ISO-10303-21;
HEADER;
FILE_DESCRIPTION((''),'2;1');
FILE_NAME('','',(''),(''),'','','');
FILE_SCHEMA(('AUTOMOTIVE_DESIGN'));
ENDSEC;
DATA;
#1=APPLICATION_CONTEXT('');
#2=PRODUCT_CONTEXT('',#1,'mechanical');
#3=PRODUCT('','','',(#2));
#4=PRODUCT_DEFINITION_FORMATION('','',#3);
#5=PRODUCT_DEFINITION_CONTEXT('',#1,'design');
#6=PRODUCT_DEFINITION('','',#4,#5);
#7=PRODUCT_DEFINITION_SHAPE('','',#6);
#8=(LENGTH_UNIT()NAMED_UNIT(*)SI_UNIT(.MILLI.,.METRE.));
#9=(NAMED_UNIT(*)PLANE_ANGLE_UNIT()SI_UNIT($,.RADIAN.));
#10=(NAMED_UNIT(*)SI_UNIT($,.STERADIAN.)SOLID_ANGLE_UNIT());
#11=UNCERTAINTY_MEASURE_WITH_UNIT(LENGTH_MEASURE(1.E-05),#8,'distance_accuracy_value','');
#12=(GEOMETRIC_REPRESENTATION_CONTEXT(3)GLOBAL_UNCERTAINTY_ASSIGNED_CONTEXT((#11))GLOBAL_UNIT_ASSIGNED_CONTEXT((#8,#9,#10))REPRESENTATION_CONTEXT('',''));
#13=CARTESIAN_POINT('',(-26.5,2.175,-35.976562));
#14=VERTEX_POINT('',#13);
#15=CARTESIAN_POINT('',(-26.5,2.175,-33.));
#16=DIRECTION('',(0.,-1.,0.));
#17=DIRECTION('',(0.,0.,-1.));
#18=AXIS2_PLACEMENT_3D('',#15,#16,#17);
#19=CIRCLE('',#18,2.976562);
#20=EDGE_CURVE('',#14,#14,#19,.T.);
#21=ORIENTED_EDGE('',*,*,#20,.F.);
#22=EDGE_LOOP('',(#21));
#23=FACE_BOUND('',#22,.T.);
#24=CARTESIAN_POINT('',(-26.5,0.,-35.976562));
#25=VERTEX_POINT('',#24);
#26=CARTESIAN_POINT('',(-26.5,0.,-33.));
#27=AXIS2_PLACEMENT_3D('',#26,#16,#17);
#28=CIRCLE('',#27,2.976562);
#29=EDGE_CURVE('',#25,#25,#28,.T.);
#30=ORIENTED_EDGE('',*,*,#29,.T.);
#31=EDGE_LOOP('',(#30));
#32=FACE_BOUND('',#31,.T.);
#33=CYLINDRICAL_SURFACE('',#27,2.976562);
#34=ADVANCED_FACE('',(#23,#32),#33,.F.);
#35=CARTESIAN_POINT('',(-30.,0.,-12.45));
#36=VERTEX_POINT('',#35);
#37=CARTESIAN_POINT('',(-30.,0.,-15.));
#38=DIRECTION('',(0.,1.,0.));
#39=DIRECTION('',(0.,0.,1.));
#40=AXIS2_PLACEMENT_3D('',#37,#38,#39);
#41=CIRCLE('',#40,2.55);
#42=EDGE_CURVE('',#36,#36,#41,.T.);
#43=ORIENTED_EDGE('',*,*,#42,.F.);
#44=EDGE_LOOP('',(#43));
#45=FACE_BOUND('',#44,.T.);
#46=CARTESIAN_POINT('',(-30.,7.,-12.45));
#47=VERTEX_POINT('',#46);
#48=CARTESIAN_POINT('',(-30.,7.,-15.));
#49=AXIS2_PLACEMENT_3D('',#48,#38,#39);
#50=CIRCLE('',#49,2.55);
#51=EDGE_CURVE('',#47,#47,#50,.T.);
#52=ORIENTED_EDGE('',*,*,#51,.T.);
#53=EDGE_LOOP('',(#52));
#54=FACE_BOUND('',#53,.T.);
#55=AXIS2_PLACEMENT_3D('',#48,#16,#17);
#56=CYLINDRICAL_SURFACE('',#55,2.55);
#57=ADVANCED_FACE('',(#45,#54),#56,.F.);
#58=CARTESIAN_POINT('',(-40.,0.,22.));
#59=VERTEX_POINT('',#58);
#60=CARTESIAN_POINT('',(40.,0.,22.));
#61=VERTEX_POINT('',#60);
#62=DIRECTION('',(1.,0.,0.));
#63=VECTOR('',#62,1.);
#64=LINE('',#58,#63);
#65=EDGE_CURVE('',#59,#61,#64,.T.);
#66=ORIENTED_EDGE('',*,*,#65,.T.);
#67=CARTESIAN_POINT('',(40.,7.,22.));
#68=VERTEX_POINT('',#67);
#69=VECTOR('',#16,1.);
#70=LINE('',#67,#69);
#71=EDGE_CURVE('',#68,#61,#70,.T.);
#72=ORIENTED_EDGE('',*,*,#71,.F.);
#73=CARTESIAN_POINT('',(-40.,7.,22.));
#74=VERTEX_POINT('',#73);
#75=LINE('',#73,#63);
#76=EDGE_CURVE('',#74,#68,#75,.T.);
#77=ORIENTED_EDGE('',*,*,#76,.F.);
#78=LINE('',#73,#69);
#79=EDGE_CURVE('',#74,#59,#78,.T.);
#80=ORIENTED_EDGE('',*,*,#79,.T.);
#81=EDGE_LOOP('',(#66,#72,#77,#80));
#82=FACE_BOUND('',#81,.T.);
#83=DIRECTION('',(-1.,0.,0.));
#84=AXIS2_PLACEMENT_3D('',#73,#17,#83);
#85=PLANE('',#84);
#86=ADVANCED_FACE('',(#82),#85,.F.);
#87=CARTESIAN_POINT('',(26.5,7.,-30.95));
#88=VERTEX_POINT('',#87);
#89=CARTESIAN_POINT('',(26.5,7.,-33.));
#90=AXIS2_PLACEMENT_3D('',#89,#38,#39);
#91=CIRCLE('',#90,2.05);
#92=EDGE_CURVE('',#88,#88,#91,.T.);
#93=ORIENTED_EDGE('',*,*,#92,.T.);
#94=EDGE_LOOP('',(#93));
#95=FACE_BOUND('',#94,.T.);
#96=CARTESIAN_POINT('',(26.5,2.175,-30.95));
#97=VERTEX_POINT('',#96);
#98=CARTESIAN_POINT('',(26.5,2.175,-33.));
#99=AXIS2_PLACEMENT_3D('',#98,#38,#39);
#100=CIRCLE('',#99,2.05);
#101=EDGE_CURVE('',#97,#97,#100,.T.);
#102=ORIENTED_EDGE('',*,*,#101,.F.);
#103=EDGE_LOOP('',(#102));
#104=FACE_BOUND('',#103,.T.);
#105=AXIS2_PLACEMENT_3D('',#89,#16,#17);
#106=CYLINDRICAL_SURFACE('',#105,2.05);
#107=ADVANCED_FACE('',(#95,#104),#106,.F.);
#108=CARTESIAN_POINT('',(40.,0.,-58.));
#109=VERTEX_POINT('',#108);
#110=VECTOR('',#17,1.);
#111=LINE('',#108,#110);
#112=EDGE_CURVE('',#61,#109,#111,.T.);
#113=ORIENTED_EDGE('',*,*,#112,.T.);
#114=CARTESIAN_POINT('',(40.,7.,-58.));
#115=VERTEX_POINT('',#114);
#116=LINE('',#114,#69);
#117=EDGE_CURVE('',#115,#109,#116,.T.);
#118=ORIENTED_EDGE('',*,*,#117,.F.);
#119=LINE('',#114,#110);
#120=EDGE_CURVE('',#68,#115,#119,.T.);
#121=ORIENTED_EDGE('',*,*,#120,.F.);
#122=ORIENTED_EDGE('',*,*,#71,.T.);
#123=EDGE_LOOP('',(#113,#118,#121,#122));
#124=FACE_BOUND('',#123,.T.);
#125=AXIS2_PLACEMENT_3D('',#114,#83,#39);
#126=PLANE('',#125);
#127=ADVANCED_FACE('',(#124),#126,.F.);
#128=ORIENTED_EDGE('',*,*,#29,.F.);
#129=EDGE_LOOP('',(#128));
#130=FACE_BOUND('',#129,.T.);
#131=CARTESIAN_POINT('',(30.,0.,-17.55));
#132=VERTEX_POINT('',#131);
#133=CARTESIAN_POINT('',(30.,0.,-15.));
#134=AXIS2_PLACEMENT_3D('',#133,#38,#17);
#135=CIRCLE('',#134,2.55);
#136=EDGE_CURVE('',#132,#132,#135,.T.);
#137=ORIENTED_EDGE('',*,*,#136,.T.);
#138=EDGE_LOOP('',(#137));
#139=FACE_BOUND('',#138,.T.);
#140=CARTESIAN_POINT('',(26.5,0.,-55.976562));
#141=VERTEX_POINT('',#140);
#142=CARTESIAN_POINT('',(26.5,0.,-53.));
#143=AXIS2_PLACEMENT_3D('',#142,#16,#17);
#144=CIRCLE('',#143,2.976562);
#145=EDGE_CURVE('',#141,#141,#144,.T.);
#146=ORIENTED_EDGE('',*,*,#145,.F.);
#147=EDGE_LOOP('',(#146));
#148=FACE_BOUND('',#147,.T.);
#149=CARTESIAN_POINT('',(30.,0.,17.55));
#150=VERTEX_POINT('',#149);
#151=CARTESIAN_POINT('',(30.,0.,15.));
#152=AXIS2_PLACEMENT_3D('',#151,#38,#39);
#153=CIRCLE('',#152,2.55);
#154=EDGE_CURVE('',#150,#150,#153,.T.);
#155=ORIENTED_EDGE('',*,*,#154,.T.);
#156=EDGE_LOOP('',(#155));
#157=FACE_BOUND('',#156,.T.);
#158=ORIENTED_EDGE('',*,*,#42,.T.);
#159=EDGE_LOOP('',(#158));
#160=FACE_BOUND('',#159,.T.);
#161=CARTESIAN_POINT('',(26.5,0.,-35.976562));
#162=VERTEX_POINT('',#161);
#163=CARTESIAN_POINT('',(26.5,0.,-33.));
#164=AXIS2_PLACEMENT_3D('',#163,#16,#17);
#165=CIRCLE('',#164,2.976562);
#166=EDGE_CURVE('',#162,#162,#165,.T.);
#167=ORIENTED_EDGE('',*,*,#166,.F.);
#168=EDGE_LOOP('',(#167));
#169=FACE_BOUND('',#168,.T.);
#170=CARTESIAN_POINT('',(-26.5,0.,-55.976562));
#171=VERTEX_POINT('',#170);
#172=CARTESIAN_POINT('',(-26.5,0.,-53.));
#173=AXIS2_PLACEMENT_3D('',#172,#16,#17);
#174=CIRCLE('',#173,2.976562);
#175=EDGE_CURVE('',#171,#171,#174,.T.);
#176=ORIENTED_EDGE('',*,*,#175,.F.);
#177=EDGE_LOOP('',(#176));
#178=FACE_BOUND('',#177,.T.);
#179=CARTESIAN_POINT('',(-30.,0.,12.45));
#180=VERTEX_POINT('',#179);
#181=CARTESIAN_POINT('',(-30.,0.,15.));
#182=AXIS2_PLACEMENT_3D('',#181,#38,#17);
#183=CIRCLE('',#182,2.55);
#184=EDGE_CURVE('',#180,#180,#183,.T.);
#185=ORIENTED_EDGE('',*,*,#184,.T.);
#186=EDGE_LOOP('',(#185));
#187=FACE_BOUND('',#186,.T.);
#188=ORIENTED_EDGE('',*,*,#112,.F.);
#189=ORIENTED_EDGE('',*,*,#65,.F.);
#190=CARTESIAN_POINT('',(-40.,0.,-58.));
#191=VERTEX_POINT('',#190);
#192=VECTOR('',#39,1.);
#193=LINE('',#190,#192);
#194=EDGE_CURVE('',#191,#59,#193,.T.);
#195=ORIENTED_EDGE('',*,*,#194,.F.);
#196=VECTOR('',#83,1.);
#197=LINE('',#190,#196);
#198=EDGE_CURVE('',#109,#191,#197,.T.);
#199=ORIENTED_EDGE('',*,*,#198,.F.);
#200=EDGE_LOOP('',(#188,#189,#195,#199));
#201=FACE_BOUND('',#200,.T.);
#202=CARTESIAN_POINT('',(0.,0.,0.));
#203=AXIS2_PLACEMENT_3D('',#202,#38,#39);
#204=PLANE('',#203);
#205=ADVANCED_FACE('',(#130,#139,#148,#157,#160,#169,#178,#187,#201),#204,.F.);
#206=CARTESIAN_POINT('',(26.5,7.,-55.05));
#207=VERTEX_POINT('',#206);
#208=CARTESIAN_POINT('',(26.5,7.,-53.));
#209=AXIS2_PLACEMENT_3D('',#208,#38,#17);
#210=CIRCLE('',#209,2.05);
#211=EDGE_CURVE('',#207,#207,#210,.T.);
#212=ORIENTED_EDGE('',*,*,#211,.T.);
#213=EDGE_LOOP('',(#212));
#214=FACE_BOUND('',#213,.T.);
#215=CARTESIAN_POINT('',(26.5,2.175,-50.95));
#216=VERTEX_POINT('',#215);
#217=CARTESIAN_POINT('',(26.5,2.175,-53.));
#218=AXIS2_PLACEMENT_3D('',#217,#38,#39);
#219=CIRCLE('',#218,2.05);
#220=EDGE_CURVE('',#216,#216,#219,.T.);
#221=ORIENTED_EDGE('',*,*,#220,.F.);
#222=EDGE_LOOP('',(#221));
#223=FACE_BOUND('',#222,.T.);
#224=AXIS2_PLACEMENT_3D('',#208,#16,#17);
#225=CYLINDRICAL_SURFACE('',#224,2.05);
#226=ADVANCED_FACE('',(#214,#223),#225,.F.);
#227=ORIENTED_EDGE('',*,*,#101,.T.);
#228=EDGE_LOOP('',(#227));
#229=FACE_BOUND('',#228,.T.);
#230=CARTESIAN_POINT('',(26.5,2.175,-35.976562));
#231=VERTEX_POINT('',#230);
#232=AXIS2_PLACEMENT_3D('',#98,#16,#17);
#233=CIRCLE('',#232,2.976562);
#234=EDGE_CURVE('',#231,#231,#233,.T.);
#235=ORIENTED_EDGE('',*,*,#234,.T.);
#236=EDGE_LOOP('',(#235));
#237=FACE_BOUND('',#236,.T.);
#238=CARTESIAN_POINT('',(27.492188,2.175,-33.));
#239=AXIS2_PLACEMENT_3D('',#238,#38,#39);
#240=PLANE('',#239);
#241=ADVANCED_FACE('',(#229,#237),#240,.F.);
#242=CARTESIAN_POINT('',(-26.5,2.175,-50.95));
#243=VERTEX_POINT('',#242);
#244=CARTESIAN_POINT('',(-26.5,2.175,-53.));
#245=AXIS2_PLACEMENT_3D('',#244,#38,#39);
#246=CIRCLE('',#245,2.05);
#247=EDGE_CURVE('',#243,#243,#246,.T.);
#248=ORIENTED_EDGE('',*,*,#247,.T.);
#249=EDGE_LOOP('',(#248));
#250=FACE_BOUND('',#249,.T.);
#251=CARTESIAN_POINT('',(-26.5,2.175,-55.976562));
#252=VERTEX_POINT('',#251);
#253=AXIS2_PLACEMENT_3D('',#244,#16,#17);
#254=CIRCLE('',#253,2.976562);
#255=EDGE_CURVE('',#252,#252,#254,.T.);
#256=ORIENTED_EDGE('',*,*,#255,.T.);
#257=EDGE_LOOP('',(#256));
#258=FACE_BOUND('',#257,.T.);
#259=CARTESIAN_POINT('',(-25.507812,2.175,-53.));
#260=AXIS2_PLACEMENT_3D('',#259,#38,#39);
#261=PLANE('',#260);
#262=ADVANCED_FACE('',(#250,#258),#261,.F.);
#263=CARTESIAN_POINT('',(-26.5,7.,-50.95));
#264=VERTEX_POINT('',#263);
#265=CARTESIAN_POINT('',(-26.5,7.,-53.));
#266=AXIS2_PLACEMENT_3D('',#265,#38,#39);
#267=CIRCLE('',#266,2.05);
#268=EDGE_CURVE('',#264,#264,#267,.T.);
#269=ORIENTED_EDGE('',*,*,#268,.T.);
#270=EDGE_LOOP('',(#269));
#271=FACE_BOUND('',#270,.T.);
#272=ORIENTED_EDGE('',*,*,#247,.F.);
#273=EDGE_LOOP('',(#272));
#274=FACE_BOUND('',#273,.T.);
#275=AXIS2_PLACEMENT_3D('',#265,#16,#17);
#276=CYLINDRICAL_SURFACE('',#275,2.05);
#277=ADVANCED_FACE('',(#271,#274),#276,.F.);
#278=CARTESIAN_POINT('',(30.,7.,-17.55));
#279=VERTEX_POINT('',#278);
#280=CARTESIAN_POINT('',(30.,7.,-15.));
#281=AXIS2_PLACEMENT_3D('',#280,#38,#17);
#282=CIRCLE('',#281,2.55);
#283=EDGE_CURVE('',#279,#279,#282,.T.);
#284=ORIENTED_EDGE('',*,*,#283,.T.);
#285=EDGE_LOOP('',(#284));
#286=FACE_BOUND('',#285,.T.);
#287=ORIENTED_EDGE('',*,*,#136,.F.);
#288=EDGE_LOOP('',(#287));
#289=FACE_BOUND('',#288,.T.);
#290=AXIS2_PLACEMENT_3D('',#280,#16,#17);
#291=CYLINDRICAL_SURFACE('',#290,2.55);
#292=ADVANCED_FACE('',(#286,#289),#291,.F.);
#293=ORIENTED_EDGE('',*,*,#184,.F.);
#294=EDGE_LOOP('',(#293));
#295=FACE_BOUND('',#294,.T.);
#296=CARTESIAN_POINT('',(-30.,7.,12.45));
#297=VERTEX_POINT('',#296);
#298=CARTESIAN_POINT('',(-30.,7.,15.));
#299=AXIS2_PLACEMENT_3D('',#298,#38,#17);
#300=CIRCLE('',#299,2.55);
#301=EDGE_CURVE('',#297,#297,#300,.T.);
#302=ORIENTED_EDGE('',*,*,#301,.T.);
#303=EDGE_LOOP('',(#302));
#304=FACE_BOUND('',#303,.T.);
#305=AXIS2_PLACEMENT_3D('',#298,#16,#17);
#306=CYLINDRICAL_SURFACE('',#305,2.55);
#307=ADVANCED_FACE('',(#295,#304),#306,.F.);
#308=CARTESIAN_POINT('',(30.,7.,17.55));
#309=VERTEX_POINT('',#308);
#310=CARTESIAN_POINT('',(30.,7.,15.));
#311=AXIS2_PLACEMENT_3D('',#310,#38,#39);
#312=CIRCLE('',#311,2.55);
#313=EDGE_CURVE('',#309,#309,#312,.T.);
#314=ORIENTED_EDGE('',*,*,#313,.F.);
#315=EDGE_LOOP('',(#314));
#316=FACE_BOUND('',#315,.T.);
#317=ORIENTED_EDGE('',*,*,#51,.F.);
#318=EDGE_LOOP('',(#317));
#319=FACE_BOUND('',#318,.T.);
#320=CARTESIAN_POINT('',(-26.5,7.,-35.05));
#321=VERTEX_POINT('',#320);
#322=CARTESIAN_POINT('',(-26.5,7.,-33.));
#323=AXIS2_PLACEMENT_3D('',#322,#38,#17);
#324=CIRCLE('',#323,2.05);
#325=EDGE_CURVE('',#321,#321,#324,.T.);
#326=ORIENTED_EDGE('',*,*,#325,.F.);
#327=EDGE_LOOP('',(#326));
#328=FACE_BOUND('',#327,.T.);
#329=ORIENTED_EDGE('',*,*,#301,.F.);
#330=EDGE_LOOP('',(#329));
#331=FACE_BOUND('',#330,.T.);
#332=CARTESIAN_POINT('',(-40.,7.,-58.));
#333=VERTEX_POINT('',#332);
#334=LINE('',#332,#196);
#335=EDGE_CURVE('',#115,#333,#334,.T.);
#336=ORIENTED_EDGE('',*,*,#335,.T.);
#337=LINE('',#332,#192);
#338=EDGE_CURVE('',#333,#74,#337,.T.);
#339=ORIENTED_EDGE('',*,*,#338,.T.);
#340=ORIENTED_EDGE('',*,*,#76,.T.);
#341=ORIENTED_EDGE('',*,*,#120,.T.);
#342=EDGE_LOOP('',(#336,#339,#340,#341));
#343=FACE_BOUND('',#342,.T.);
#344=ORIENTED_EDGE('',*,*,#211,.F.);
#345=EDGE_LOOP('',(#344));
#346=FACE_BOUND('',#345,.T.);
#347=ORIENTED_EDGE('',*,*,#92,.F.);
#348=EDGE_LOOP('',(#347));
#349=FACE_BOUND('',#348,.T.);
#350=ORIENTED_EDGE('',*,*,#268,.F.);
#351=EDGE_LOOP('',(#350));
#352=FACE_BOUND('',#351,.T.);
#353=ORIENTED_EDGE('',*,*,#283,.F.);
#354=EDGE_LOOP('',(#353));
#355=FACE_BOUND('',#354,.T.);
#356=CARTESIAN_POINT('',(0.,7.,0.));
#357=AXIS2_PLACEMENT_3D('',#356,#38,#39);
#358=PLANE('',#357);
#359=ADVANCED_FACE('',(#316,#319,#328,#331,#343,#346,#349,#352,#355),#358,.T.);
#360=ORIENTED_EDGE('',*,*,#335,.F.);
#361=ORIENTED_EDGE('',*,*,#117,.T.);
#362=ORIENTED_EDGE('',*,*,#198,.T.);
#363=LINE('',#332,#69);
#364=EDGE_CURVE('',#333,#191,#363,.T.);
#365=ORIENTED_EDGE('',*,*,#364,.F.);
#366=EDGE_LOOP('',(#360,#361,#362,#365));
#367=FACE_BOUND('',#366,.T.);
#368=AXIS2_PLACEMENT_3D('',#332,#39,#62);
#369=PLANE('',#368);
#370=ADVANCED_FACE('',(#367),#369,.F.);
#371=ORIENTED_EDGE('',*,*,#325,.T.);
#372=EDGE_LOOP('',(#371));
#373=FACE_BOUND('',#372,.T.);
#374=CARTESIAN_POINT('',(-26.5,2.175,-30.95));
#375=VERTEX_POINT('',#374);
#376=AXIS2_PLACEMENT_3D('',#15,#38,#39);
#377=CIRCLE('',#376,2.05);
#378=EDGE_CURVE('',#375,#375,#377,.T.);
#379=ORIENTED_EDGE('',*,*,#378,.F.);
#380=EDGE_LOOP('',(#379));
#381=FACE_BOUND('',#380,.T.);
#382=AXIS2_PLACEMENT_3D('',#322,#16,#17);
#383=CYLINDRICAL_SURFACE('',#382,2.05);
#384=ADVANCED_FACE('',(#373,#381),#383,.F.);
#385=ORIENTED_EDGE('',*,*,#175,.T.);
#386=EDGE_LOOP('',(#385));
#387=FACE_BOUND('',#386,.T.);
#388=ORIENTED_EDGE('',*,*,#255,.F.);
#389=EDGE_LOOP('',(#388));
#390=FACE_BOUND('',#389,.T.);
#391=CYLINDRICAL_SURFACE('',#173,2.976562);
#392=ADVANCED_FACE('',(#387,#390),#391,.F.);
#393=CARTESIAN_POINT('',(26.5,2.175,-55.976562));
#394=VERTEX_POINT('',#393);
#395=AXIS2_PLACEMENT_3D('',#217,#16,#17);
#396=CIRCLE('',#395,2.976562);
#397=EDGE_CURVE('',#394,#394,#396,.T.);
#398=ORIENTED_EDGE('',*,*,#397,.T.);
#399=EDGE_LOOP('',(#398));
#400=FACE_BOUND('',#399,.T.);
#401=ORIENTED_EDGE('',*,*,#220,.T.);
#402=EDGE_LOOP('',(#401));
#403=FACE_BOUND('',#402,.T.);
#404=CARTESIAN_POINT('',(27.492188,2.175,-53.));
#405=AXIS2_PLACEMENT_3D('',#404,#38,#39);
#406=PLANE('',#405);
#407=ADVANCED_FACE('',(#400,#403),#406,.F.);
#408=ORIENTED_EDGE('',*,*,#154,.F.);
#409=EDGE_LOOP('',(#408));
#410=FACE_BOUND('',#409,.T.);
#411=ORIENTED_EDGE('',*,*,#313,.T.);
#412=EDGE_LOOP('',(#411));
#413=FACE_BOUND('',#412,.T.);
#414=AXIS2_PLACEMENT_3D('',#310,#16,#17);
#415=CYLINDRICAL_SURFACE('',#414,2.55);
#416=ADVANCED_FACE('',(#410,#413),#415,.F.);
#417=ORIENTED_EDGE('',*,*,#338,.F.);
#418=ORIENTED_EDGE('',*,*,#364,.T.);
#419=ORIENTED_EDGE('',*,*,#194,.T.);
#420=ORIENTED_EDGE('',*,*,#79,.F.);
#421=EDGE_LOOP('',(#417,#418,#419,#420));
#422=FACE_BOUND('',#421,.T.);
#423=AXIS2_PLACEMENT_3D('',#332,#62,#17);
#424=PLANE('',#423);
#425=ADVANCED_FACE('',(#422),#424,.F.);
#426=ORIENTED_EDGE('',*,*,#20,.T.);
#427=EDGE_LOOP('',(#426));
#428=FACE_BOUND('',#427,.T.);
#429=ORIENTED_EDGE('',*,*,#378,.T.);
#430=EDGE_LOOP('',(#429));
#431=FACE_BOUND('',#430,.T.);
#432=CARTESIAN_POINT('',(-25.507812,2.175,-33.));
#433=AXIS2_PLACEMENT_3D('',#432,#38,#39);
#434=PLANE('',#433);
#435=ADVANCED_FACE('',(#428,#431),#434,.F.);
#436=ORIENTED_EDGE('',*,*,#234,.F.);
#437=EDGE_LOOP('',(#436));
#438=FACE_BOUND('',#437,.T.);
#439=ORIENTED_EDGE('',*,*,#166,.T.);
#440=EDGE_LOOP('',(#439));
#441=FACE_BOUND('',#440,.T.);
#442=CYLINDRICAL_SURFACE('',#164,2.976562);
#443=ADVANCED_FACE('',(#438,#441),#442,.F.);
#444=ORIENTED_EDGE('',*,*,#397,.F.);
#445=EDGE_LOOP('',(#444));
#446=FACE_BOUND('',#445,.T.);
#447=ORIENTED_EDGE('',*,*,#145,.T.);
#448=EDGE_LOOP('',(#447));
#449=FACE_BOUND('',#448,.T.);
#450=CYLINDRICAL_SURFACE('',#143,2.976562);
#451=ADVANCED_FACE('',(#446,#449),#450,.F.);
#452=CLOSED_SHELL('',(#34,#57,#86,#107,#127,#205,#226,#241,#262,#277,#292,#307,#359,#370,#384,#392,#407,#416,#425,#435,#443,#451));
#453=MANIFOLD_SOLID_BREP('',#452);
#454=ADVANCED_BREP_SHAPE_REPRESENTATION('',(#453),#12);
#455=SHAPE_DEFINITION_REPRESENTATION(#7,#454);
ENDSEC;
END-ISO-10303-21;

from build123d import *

# Parameters (mm, degrees)
SKETCH1_W                               = 80
SKETCH1_H                               = 80
SKETCH1_R                               = 2.55
SKETCH1_R_2                             = 2.05
BOSS_EXTRUDE1_DEPTH                     = 7
CBORE_FOR_5_64_EJECTOR_PIN1_D           = 1.984375
CBORE_FOR_5_64_EJECTOR_PIN1_CBORE_D     = 5.953125
CBORE_FOR_5_64_EJECTOR_PIN1_CBORE_DEPTH = 2.175


with BuildPart() as part:
    # Sketch1 → Boss-Extrude1 (new body)
    with BuildSketch(Plane(origin=(0, 0, 0), x_dir=(1, 0, 0), z_dir=(0, 1, 0))):
        with Locations((0, 18)):
            Rectangle(SKETCH1_W, SKETCH1_H)
        with Locations((-30, 15)):
            Circle(SKETCH1_R, mode=Mode.SUBTRACT)
        with Locations((30, 15)):
            Circle(SKETCH1_R, mode=Mode.SUBTRACT)
        with Locations((30, -15)):
            Circle(SKETCH1_R, mode=Mode.SUBTRACT)
        with Locations((-30, -15)):
            Circle(SKETCH1_R, mode=Mode.SUBTRACT)
        with Locations((-26.5, 53)):
            Circle(SKETCH1_R_2, mode=Mode.SUBTRACT)
        with Locations((26.5, 53)):
            Circle(SKETCH1_R_2, mode=Mode.SUBTRACT)
        with Locations((26.5, 33)):
            Circle(SKETCH1_R_2, mode=Mode.SUBTRACT)
        with Locations((-26.5, 33)):
            Circle(SKETCH1_R_2, mode=Mode.SUBTRACT)
    extrude(amount=BOSS_EXTRUDE1_DEPTH)

    # CBORE for 5/64 Ejector Pin1 (through all)
    with Locations(Plane(origin=(0, 0, 0), x_dir=(-1, 0, 0), z_dir=(0, -1, 0))):
        with Locations((26.5, 33), (-26.5, 33), (26.5, 53), (-26.5, 53)):
            CounterBoreHole(CBORE_FOR_5_64_EJECTOR_PIN1_D / 2, CBORE_FOR_5_64_EJECTOR_PIN1_CBORE_D / 2, CBORE_FOR_5_64_EJECTOR_PIN1_CBORE_DEPTH)


solid = part.part
